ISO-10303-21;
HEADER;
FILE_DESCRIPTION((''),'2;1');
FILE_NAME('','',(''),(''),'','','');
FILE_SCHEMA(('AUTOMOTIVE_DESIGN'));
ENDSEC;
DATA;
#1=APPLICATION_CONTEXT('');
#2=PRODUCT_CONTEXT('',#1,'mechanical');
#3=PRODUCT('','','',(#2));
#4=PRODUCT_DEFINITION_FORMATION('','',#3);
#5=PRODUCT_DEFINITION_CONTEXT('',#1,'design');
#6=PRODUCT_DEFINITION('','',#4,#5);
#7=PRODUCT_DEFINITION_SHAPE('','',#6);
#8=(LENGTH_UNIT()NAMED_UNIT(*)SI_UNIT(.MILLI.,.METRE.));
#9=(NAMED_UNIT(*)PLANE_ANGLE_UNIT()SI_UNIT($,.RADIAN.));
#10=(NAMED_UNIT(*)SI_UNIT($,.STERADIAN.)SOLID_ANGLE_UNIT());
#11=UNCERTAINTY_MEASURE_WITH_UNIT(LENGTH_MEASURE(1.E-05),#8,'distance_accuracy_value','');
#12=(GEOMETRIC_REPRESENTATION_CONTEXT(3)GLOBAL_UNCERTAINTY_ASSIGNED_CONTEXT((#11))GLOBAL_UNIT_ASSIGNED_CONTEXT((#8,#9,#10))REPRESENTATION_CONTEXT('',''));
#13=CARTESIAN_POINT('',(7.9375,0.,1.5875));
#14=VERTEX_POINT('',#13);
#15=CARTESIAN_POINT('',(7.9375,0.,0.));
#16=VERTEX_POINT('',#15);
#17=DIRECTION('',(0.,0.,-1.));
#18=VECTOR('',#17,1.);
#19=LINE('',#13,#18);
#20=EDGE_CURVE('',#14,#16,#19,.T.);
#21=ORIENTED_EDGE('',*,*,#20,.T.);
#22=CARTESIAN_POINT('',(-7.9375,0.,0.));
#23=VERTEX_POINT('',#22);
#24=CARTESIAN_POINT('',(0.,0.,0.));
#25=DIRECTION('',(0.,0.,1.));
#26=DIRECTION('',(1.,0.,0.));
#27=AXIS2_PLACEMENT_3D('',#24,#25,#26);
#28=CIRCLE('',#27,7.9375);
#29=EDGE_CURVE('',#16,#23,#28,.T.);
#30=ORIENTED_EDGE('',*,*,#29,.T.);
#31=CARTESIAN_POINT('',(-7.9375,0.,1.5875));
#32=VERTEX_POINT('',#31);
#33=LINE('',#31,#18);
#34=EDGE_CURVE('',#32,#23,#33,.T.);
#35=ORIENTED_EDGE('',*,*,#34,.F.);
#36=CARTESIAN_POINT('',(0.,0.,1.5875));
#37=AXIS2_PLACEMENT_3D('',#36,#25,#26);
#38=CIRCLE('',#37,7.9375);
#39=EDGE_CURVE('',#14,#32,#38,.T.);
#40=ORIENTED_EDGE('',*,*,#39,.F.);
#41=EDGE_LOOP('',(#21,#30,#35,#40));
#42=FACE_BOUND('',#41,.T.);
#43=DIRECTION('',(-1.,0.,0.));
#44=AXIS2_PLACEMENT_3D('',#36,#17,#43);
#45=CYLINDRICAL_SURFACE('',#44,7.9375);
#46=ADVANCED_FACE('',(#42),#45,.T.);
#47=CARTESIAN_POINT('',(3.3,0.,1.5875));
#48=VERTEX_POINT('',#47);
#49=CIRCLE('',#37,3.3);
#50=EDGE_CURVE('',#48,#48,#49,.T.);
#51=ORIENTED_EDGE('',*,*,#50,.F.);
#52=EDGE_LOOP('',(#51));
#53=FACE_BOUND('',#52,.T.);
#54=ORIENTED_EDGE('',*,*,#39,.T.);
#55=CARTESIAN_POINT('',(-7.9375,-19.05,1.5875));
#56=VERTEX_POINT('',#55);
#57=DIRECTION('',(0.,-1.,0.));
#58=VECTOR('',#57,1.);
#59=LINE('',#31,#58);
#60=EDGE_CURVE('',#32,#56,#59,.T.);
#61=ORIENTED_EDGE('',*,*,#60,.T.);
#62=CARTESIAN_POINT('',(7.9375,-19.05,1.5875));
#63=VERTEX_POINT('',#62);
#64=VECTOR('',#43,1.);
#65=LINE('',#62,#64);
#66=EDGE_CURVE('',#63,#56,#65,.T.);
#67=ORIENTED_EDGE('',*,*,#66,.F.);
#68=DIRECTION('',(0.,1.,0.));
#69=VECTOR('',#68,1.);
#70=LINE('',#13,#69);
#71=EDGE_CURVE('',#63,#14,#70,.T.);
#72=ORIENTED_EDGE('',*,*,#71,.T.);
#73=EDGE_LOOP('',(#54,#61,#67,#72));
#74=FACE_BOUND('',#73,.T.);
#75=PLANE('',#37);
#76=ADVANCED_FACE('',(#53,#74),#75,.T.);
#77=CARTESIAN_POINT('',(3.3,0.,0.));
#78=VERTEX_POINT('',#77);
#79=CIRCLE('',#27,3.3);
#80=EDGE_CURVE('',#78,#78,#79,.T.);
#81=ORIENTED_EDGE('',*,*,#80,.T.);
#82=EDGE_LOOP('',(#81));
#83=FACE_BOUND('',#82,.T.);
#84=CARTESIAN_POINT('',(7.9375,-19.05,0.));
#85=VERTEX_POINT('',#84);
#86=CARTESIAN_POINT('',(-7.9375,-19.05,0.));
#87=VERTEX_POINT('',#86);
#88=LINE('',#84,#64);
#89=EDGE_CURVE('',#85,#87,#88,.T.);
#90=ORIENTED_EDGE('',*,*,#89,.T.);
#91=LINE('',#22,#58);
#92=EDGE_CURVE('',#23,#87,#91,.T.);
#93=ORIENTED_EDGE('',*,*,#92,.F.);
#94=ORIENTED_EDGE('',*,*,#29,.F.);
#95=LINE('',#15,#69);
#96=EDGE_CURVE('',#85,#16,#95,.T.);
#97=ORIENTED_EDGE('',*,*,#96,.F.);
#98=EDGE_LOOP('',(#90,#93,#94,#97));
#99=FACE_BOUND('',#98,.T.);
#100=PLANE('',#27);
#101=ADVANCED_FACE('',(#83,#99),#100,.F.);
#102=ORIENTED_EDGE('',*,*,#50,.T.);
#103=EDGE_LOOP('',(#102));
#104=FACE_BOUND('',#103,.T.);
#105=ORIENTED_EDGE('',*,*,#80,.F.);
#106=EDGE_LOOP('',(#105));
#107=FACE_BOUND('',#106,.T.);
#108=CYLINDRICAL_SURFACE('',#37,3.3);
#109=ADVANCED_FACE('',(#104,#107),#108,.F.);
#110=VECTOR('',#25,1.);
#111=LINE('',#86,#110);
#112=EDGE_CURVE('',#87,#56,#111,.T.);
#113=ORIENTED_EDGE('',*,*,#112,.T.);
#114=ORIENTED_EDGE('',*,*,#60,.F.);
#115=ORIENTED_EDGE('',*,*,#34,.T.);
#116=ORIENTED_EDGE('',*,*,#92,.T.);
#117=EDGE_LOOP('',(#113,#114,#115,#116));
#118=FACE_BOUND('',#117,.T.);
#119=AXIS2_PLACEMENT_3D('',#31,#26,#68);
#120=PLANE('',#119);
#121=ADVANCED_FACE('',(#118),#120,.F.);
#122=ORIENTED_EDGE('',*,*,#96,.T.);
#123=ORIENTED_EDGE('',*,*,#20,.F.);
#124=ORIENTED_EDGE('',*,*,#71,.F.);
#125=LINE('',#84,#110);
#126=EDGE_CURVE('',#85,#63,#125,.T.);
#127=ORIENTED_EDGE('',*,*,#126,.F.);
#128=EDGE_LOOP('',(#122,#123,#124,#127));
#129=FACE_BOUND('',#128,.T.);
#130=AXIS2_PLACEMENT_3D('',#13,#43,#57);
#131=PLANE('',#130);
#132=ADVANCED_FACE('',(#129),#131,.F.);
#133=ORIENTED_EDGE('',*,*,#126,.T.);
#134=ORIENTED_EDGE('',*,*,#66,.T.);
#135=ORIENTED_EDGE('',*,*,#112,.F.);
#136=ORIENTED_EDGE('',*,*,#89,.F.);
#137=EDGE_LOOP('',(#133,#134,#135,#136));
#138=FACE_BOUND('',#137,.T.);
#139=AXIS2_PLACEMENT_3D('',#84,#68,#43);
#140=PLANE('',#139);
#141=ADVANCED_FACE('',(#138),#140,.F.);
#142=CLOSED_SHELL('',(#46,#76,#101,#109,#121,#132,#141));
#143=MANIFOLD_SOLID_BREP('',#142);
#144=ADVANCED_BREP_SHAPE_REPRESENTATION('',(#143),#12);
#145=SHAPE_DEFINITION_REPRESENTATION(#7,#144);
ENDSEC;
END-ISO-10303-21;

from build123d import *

# Parameters (mm, degrees)
BOSS_EXTRUDE1_DEPTH  = 1.5875
M6_CLEARANCE_HOLE1_D = 6.6
SKETCH5_W            = 15.875
SKETCH5_H            = 6.35
CUT_EXTRUDE2_DEPTH   = 2.5875


with BuildPart() as part:
    # Sketch1 → Boss-Extrude1 (new body)
    with BuildSketch(Plane.XY):
        with BuildLine():
            Line((7.9375, -25.4), (7.9375, 0))
            ThreePointArc((7.9375, 0), (0, 7.9375), (-7.9375, 0))
            Line((-7.9375, 0), (-7.9375, -25.4))
            Line((-7.9375, -25.4), (7.9375, -25.4))
        make_face()
    extrude(amount=BOSS_EXTRUDE1_DEPTH)

    # M6 Clearance Hole1 (through all)
    with Locations(Plane.XY.offset(1.5875)):
        with Locations((0, 0)):
            Hole(M6_CLEARANCE_HOLE1_D / 2)

    # Sketch5 → Cut-Extrude2 (cut, through all)
    with BuildSketch(Plane.XY.offset(1.5875)):
        with Locations((0, -22.225)):
            Rectangle(SKETCH5_W, SKETCH5_H)
    extrude(amount=-CUT_EXTRUDE2_DEPTH, mode=Mode.SUBTRACT)


solid = part.part
